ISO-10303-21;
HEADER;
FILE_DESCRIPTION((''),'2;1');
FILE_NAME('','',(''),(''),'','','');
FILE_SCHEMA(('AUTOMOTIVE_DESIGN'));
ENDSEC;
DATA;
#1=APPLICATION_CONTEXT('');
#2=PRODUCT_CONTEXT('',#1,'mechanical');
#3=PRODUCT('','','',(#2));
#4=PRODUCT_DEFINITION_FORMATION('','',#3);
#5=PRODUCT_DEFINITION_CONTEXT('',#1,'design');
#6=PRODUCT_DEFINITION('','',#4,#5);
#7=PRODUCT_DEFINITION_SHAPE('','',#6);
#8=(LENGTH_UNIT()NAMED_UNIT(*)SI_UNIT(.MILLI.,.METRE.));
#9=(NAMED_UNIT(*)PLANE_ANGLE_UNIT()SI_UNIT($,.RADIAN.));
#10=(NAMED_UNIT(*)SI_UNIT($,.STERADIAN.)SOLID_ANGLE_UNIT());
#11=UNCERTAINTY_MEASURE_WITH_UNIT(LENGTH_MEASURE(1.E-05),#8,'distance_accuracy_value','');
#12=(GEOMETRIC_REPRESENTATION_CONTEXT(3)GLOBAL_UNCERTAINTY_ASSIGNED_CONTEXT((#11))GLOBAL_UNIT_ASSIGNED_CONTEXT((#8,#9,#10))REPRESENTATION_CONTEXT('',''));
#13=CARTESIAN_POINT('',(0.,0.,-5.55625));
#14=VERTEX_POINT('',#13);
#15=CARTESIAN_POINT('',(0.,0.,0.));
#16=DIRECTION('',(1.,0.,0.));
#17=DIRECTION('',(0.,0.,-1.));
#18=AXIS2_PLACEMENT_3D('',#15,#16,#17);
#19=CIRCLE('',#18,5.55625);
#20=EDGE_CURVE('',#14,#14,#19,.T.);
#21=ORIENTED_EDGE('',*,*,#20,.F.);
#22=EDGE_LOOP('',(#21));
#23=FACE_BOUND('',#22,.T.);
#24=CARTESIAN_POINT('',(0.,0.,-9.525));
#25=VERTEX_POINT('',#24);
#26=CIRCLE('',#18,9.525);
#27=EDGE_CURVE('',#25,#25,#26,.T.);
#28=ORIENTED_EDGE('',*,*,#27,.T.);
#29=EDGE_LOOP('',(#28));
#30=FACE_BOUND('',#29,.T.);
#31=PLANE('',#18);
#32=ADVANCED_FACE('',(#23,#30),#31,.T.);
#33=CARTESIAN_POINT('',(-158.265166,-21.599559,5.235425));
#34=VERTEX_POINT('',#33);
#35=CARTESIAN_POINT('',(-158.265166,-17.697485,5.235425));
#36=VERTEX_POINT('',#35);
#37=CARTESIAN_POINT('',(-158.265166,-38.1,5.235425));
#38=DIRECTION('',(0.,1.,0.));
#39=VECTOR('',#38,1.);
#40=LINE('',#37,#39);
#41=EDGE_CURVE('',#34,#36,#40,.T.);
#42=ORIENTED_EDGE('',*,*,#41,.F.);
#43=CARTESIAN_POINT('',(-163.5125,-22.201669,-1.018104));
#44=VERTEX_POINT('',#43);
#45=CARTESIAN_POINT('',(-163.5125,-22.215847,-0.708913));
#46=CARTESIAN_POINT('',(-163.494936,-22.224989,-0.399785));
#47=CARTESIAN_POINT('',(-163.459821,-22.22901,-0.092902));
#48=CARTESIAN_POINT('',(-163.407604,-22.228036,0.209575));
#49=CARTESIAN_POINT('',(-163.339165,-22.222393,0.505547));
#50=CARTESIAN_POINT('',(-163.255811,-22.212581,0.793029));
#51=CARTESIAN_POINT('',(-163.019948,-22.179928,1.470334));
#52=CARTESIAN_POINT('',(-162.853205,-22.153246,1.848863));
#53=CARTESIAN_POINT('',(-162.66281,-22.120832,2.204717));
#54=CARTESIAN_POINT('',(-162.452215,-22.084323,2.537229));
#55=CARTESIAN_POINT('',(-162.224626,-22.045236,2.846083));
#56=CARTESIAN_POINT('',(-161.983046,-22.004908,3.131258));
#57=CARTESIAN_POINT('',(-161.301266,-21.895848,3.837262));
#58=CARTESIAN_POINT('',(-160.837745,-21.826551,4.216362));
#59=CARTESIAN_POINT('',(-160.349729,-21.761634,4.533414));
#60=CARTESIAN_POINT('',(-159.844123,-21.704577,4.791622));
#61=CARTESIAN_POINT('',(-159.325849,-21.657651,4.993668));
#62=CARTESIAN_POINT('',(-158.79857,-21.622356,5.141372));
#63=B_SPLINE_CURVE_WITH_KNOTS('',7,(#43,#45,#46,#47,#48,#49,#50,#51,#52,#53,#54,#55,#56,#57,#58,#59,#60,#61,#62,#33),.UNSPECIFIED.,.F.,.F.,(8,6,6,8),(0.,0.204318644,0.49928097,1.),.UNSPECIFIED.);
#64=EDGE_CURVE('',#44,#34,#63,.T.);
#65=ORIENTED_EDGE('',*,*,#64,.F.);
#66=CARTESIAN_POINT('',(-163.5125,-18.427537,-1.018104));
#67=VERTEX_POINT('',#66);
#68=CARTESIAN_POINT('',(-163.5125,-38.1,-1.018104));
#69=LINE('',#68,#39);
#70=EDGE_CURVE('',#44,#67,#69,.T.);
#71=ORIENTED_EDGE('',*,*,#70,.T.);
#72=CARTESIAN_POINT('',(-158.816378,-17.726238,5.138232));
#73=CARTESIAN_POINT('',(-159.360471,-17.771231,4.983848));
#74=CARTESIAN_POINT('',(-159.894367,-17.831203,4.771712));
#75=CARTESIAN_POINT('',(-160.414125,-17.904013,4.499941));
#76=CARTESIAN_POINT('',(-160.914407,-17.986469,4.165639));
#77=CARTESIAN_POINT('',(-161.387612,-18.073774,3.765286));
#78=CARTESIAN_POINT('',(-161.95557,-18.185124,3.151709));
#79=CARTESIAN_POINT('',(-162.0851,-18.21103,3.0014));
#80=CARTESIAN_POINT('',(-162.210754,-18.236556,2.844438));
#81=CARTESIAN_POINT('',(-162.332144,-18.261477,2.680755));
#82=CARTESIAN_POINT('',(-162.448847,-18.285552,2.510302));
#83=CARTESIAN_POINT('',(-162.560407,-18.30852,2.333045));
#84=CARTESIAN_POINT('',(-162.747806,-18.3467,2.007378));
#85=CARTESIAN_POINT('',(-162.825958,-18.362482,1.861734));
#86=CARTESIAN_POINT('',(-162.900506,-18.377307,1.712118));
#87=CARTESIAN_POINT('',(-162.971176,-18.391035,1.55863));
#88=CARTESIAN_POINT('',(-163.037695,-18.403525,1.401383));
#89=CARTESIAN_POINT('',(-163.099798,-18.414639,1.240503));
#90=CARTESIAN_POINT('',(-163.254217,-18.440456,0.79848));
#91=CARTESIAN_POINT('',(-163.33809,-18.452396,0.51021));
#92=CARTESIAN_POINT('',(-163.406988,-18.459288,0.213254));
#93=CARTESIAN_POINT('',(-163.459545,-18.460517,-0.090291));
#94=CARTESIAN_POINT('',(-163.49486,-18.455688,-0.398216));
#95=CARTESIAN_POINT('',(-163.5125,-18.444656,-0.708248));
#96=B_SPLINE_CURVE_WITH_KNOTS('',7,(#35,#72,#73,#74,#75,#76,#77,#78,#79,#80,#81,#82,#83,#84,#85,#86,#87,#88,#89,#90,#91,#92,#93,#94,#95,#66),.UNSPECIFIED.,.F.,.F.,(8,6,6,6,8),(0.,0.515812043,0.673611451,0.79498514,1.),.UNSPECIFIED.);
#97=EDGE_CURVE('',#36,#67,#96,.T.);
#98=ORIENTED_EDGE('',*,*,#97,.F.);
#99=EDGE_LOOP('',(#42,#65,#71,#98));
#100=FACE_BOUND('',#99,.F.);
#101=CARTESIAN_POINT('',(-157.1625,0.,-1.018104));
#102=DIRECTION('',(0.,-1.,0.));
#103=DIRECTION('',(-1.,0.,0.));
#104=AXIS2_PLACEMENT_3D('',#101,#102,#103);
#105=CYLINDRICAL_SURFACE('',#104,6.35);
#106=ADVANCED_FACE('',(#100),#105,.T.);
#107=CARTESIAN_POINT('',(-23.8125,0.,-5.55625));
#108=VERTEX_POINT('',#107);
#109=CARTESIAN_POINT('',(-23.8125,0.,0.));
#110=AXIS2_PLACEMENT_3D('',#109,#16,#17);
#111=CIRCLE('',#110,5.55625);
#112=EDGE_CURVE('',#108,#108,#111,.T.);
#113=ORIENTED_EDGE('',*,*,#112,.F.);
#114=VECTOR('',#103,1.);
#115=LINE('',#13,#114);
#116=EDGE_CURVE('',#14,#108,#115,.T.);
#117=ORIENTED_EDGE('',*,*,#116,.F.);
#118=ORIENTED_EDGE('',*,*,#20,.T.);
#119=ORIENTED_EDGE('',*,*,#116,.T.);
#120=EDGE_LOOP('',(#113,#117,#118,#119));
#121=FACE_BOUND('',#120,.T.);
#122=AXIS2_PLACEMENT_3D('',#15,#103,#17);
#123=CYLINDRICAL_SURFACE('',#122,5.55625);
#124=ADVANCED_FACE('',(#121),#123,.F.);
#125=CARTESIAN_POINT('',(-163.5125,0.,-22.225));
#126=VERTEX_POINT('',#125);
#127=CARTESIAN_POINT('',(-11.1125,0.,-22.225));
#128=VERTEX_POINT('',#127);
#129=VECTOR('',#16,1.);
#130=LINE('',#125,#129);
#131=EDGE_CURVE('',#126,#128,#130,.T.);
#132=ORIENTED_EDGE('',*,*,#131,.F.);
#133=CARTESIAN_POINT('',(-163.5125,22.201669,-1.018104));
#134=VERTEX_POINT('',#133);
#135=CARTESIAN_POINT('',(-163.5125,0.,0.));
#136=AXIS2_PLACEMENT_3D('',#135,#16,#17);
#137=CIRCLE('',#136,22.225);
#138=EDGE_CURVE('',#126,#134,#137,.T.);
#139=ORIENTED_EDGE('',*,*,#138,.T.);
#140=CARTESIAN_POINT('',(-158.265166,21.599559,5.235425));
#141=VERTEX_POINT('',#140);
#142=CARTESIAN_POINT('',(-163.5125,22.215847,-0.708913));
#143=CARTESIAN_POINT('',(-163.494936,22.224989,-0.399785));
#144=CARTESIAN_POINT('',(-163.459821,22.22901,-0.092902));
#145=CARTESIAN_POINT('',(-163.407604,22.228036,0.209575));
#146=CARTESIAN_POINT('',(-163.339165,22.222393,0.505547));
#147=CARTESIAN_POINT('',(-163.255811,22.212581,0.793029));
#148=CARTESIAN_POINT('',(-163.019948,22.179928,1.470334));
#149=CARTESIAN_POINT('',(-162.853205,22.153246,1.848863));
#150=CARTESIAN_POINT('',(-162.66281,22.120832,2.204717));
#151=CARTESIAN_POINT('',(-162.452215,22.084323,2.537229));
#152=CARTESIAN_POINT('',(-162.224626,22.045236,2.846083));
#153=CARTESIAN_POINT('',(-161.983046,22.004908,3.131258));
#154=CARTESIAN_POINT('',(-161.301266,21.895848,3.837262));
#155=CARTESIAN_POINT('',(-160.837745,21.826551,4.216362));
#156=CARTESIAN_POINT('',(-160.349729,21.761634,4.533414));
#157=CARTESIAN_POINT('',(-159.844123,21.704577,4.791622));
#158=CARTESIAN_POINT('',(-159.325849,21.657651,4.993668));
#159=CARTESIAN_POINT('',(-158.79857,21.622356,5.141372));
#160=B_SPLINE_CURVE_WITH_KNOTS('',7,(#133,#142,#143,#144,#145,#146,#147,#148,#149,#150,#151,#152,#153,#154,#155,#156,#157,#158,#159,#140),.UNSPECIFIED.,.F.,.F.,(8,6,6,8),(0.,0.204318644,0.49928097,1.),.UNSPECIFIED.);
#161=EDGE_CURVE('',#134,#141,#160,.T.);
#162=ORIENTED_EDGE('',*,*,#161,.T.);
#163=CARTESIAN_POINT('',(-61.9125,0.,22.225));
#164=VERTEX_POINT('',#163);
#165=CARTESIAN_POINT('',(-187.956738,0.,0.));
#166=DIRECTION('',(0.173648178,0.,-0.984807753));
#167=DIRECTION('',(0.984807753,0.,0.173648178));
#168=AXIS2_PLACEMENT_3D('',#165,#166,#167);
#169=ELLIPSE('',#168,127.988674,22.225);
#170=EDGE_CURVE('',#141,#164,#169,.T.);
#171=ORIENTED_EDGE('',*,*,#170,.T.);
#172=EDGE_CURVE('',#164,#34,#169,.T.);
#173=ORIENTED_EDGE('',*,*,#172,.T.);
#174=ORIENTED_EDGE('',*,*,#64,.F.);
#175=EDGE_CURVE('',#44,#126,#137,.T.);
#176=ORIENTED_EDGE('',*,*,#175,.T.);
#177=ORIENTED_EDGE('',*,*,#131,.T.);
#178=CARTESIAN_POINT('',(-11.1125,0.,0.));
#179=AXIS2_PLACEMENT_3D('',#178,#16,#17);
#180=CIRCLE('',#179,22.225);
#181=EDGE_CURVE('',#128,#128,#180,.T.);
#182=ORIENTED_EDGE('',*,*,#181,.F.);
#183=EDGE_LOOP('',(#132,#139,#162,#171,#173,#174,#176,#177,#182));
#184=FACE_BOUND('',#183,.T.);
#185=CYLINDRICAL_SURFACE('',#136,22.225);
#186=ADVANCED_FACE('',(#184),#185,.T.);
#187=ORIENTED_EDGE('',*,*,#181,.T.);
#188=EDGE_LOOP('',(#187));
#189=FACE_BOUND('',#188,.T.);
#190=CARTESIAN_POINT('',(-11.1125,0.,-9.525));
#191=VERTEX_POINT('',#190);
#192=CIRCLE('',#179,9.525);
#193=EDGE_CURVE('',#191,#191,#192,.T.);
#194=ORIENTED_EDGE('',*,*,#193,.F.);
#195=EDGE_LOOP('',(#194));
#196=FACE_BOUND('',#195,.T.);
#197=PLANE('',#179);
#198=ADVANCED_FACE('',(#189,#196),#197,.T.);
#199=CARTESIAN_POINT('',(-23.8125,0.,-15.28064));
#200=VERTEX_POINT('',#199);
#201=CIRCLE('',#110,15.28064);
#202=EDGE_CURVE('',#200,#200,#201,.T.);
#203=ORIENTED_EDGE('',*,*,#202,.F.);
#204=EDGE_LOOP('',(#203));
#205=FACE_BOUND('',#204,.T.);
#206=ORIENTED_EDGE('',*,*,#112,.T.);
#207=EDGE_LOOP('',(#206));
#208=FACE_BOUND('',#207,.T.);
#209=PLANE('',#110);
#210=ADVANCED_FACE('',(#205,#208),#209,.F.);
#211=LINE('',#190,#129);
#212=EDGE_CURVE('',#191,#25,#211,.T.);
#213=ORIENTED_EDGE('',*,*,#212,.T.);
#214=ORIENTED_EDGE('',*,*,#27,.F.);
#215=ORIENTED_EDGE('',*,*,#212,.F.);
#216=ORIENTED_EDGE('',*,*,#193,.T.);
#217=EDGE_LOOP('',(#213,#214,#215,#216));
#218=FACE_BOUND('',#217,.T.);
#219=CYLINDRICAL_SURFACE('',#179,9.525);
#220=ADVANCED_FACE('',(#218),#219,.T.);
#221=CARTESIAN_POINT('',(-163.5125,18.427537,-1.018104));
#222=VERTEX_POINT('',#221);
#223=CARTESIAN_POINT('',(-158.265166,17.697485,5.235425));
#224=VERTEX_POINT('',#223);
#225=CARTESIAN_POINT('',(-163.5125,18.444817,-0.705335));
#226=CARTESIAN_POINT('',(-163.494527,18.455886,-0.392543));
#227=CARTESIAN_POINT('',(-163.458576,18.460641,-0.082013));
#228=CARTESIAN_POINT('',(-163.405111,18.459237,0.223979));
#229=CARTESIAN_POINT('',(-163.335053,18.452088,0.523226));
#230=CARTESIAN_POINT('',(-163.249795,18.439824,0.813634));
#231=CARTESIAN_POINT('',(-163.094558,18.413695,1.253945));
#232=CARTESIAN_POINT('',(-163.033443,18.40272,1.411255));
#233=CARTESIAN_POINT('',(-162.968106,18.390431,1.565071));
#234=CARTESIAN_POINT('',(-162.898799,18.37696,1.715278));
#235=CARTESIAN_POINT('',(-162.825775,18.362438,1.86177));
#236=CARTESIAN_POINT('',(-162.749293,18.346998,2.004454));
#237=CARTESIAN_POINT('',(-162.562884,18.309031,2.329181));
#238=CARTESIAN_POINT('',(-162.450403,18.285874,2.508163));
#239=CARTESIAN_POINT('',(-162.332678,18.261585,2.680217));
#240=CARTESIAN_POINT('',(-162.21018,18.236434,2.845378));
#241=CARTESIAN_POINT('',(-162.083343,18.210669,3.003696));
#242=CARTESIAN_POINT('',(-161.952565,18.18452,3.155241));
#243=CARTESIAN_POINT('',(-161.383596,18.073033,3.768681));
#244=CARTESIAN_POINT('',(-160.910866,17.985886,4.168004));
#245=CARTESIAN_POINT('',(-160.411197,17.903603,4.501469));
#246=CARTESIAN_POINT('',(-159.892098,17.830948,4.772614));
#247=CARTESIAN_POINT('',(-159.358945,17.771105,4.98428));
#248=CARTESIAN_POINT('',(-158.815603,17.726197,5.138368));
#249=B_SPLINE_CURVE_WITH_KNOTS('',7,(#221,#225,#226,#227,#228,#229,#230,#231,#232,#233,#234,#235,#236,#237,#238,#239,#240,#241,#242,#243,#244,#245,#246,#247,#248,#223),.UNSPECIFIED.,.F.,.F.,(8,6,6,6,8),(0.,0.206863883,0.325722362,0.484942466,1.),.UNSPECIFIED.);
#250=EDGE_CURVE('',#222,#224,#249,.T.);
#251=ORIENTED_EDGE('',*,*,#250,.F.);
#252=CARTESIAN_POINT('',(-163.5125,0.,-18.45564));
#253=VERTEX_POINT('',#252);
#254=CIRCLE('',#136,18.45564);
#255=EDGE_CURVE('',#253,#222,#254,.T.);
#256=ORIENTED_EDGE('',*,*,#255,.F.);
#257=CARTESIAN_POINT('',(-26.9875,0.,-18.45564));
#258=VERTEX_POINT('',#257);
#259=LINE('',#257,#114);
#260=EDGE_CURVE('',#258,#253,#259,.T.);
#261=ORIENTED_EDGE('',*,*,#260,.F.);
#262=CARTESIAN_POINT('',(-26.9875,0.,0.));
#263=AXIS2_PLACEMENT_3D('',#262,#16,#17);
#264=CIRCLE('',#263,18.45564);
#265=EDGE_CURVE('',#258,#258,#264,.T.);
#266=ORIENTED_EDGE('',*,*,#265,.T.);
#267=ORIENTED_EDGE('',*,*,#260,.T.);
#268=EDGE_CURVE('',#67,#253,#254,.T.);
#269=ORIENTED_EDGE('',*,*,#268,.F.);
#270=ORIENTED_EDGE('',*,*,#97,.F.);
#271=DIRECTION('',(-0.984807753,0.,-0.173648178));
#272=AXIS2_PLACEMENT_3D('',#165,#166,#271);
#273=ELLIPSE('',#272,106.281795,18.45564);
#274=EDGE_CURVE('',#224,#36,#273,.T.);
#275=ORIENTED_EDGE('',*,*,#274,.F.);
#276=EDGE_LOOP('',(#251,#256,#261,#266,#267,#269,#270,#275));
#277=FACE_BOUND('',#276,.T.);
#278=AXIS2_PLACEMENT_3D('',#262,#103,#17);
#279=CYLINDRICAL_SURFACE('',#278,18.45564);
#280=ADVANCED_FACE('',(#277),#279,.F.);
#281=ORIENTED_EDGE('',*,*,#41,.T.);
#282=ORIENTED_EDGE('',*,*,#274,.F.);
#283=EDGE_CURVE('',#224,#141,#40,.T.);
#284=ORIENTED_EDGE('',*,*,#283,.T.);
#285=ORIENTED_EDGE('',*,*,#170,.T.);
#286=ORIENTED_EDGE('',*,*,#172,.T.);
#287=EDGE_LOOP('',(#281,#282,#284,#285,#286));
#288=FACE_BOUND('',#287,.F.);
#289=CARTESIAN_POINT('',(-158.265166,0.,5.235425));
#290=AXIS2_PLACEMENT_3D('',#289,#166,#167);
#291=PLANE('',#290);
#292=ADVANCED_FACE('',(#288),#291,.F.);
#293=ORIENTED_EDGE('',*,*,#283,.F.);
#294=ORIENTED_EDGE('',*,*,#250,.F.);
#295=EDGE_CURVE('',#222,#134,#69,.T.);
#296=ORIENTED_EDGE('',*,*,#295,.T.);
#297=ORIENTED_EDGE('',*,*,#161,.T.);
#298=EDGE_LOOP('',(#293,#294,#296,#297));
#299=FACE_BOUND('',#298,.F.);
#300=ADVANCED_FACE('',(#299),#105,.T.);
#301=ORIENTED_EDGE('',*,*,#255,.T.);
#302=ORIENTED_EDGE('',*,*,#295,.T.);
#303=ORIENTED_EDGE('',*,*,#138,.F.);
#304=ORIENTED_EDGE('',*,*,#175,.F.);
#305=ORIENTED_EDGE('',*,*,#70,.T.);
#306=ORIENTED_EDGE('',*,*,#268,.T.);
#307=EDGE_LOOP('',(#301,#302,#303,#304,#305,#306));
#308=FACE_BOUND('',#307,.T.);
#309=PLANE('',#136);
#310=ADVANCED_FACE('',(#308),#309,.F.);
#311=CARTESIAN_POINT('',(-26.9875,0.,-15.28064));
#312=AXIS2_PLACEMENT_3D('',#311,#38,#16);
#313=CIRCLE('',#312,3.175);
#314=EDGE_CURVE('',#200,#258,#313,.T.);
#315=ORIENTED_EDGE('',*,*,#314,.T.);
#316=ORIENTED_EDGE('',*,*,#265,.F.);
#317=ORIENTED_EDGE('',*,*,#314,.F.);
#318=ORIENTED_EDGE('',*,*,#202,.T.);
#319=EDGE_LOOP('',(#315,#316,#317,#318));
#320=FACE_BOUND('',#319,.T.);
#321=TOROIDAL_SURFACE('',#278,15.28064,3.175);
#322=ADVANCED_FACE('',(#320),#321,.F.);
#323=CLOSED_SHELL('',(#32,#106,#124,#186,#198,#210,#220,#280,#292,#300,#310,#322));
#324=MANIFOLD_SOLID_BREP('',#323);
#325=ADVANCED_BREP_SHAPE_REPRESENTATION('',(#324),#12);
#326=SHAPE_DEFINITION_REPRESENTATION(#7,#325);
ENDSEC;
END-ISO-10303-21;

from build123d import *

# Parameters (mm, degrees)
F3_DEPTH = 38.1


with BuildPart() as f1:
    # F0 (on Front) → F1 (revolve)
    with BuildSketch(Plane.XZ):
        with BuildLine():
            Line((-11.1125, -9.525), (0, -9.525))
            Line((0, -9.525), (0, -5.55625))
            Line((0, -5.55625), (-23.8125, -5.55625))
            Line((-23.8125, -5.55625), (-23.8125, -15.28064))
            ThreePointArc((-23.8125, -15.28064), (-24.7424359697, -17.5257040303), (-26.9875, -18.45564))
            Line((-26.9875, -18.45564), (-163.5125, -18.45564))
            Line((-163.5125, -18.45564), (-163.5125, -22.225))
            Line((-163.5125, -22.225), (-11.1125, -22.225))
            Line((-11.1125, -22.225), (-11.1125, -9.525))
        make_face()
    revolve(axis=Axis((-81.75625, 0, 0), (1, 0, 0)))

    # F2 (on Front) → F3 (cut, symmetric)
    with BuildSketch(Plane.XZ):
        with BuildLine():
            Line((-61.9125, 22.225), (-169.8625, 22.225))
            Line((-169.8625, 22.225), (-169.8625, -22.225))
            Line((-169.8625, -22.225), (-163.5125, -22.225))
            Line((-163.5125, -22.225), (-163.5125, -1.018103898))
            ThreePointArc((-163.5125, -1.018103898), (-162.0268822138, 3.0635974236), (-158.2651659282, 5.2354253337))
            Line((-158.2651659282, 5.2354253337), (-61.9125, 22.225))
        make_face()
    extrude(amount=F3_DEPTH, both=True, mode=Mode.SUBTRACT)


solid = f1.part
